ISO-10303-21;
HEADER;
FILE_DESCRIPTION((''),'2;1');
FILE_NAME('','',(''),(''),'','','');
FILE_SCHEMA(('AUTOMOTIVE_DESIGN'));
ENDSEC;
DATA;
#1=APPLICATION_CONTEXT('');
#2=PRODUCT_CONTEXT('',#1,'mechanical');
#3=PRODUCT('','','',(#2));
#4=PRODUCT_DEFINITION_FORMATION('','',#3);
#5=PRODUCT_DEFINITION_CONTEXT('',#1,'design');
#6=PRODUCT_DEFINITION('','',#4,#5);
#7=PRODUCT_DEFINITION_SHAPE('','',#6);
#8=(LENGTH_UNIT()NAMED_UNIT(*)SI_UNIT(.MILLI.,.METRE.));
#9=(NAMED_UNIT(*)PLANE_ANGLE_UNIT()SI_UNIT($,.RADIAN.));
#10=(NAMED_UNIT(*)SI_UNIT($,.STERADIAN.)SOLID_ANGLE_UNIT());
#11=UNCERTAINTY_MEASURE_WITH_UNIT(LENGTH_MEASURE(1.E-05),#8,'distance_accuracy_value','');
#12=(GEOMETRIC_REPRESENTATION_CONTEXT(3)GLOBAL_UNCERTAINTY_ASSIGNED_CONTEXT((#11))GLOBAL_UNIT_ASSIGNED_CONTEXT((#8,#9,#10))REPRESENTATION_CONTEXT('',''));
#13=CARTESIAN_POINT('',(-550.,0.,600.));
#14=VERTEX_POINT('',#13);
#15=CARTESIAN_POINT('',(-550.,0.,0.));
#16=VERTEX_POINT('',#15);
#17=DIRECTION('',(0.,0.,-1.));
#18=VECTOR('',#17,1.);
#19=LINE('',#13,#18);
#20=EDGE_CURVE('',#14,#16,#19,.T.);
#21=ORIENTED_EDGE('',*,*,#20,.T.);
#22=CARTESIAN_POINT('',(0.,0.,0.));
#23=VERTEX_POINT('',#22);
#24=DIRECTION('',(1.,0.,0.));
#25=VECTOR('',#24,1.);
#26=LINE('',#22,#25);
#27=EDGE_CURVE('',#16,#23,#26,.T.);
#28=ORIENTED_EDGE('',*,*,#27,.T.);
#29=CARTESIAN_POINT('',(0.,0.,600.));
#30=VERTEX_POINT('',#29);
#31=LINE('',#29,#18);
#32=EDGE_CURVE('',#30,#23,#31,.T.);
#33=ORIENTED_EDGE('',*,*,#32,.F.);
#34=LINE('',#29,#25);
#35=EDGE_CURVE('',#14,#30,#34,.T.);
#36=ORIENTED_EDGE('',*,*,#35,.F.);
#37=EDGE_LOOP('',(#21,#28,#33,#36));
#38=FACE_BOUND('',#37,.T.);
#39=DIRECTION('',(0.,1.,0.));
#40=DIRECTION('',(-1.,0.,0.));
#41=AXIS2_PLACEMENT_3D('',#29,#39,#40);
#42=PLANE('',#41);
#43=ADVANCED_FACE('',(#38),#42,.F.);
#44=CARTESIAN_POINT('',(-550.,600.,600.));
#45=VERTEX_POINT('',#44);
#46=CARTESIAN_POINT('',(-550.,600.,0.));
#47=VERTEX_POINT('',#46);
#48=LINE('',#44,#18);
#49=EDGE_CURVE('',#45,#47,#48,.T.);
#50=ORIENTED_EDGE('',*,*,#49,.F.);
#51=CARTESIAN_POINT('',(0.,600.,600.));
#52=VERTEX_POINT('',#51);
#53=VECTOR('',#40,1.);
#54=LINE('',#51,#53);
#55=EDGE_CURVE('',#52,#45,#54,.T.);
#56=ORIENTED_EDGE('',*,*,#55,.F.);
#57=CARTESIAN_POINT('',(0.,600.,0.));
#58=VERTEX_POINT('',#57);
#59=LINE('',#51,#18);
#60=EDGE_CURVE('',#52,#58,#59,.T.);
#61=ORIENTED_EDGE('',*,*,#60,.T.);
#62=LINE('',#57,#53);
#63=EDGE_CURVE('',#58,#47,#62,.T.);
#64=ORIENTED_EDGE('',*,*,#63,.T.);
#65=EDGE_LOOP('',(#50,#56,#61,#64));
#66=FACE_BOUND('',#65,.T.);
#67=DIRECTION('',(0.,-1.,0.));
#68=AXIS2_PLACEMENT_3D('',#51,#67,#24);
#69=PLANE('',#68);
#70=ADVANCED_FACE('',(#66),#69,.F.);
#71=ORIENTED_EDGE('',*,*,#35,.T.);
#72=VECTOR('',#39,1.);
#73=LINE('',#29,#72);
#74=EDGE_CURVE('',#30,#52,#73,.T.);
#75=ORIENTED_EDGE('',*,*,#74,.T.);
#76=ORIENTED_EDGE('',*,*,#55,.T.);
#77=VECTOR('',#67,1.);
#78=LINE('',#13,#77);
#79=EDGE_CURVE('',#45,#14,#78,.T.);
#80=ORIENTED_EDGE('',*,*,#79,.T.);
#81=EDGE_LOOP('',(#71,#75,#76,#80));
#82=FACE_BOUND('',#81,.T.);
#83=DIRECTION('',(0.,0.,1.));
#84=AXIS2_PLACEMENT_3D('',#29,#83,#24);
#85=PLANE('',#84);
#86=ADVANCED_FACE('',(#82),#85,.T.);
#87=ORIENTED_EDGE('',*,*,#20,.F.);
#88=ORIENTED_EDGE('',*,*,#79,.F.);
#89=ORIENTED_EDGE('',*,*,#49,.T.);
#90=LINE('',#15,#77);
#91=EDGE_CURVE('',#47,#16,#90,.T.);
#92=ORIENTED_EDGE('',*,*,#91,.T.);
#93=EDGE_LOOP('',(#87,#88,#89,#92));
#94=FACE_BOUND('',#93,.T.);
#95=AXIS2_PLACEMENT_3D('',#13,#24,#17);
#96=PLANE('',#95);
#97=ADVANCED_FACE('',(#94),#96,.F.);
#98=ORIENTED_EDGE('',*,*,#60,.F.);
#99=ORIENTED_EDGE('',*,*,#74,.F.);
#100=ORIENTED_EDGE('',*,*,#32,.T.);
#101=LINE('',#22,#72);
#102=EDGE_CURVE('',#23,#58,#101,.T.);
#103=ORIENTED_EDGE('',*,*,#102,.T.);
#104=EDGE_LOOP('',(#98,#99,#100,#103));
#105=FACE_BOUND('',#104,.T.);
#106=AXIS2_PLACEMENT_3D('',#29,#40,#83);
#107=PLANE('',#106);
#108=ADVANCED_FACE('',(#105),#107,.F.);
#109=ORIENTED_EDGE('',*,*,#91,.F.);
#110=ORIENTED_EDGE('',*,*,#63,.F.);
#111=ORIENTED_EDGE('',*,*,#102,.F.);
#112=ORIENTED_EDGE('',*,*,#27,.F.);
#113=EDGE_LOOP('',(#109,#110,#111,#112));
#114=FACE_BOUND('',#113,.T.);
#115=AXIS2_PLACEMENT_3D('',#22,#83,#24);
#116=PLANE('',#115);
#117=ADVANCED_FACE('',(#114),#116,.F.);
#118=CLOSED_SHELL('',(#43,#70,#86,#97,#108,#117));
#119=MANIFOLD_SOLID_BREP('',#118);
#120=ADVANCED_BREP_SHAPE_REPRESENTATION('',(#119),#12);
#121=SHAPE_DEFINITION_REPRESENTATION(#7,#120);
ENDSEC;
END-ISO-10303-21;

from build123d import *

# Parameters (mm, degrees)
SKETCH1_W           = 550
SKETCH1_H           = 600
BOSS_EXTRUDE1_DEPTH = 600


with BuildPart() as part:
    # Sketch1 → Boss-Extrude1 (new body)
    with BuildSketch(Plane.XY):
        with Locations((-275, 300)):
            Rectangle(SKETCH1_W, SKETCH1_H)
    extrude(amount=BOSS_EXTRUDE1_DEPTH)


solid = part.part
